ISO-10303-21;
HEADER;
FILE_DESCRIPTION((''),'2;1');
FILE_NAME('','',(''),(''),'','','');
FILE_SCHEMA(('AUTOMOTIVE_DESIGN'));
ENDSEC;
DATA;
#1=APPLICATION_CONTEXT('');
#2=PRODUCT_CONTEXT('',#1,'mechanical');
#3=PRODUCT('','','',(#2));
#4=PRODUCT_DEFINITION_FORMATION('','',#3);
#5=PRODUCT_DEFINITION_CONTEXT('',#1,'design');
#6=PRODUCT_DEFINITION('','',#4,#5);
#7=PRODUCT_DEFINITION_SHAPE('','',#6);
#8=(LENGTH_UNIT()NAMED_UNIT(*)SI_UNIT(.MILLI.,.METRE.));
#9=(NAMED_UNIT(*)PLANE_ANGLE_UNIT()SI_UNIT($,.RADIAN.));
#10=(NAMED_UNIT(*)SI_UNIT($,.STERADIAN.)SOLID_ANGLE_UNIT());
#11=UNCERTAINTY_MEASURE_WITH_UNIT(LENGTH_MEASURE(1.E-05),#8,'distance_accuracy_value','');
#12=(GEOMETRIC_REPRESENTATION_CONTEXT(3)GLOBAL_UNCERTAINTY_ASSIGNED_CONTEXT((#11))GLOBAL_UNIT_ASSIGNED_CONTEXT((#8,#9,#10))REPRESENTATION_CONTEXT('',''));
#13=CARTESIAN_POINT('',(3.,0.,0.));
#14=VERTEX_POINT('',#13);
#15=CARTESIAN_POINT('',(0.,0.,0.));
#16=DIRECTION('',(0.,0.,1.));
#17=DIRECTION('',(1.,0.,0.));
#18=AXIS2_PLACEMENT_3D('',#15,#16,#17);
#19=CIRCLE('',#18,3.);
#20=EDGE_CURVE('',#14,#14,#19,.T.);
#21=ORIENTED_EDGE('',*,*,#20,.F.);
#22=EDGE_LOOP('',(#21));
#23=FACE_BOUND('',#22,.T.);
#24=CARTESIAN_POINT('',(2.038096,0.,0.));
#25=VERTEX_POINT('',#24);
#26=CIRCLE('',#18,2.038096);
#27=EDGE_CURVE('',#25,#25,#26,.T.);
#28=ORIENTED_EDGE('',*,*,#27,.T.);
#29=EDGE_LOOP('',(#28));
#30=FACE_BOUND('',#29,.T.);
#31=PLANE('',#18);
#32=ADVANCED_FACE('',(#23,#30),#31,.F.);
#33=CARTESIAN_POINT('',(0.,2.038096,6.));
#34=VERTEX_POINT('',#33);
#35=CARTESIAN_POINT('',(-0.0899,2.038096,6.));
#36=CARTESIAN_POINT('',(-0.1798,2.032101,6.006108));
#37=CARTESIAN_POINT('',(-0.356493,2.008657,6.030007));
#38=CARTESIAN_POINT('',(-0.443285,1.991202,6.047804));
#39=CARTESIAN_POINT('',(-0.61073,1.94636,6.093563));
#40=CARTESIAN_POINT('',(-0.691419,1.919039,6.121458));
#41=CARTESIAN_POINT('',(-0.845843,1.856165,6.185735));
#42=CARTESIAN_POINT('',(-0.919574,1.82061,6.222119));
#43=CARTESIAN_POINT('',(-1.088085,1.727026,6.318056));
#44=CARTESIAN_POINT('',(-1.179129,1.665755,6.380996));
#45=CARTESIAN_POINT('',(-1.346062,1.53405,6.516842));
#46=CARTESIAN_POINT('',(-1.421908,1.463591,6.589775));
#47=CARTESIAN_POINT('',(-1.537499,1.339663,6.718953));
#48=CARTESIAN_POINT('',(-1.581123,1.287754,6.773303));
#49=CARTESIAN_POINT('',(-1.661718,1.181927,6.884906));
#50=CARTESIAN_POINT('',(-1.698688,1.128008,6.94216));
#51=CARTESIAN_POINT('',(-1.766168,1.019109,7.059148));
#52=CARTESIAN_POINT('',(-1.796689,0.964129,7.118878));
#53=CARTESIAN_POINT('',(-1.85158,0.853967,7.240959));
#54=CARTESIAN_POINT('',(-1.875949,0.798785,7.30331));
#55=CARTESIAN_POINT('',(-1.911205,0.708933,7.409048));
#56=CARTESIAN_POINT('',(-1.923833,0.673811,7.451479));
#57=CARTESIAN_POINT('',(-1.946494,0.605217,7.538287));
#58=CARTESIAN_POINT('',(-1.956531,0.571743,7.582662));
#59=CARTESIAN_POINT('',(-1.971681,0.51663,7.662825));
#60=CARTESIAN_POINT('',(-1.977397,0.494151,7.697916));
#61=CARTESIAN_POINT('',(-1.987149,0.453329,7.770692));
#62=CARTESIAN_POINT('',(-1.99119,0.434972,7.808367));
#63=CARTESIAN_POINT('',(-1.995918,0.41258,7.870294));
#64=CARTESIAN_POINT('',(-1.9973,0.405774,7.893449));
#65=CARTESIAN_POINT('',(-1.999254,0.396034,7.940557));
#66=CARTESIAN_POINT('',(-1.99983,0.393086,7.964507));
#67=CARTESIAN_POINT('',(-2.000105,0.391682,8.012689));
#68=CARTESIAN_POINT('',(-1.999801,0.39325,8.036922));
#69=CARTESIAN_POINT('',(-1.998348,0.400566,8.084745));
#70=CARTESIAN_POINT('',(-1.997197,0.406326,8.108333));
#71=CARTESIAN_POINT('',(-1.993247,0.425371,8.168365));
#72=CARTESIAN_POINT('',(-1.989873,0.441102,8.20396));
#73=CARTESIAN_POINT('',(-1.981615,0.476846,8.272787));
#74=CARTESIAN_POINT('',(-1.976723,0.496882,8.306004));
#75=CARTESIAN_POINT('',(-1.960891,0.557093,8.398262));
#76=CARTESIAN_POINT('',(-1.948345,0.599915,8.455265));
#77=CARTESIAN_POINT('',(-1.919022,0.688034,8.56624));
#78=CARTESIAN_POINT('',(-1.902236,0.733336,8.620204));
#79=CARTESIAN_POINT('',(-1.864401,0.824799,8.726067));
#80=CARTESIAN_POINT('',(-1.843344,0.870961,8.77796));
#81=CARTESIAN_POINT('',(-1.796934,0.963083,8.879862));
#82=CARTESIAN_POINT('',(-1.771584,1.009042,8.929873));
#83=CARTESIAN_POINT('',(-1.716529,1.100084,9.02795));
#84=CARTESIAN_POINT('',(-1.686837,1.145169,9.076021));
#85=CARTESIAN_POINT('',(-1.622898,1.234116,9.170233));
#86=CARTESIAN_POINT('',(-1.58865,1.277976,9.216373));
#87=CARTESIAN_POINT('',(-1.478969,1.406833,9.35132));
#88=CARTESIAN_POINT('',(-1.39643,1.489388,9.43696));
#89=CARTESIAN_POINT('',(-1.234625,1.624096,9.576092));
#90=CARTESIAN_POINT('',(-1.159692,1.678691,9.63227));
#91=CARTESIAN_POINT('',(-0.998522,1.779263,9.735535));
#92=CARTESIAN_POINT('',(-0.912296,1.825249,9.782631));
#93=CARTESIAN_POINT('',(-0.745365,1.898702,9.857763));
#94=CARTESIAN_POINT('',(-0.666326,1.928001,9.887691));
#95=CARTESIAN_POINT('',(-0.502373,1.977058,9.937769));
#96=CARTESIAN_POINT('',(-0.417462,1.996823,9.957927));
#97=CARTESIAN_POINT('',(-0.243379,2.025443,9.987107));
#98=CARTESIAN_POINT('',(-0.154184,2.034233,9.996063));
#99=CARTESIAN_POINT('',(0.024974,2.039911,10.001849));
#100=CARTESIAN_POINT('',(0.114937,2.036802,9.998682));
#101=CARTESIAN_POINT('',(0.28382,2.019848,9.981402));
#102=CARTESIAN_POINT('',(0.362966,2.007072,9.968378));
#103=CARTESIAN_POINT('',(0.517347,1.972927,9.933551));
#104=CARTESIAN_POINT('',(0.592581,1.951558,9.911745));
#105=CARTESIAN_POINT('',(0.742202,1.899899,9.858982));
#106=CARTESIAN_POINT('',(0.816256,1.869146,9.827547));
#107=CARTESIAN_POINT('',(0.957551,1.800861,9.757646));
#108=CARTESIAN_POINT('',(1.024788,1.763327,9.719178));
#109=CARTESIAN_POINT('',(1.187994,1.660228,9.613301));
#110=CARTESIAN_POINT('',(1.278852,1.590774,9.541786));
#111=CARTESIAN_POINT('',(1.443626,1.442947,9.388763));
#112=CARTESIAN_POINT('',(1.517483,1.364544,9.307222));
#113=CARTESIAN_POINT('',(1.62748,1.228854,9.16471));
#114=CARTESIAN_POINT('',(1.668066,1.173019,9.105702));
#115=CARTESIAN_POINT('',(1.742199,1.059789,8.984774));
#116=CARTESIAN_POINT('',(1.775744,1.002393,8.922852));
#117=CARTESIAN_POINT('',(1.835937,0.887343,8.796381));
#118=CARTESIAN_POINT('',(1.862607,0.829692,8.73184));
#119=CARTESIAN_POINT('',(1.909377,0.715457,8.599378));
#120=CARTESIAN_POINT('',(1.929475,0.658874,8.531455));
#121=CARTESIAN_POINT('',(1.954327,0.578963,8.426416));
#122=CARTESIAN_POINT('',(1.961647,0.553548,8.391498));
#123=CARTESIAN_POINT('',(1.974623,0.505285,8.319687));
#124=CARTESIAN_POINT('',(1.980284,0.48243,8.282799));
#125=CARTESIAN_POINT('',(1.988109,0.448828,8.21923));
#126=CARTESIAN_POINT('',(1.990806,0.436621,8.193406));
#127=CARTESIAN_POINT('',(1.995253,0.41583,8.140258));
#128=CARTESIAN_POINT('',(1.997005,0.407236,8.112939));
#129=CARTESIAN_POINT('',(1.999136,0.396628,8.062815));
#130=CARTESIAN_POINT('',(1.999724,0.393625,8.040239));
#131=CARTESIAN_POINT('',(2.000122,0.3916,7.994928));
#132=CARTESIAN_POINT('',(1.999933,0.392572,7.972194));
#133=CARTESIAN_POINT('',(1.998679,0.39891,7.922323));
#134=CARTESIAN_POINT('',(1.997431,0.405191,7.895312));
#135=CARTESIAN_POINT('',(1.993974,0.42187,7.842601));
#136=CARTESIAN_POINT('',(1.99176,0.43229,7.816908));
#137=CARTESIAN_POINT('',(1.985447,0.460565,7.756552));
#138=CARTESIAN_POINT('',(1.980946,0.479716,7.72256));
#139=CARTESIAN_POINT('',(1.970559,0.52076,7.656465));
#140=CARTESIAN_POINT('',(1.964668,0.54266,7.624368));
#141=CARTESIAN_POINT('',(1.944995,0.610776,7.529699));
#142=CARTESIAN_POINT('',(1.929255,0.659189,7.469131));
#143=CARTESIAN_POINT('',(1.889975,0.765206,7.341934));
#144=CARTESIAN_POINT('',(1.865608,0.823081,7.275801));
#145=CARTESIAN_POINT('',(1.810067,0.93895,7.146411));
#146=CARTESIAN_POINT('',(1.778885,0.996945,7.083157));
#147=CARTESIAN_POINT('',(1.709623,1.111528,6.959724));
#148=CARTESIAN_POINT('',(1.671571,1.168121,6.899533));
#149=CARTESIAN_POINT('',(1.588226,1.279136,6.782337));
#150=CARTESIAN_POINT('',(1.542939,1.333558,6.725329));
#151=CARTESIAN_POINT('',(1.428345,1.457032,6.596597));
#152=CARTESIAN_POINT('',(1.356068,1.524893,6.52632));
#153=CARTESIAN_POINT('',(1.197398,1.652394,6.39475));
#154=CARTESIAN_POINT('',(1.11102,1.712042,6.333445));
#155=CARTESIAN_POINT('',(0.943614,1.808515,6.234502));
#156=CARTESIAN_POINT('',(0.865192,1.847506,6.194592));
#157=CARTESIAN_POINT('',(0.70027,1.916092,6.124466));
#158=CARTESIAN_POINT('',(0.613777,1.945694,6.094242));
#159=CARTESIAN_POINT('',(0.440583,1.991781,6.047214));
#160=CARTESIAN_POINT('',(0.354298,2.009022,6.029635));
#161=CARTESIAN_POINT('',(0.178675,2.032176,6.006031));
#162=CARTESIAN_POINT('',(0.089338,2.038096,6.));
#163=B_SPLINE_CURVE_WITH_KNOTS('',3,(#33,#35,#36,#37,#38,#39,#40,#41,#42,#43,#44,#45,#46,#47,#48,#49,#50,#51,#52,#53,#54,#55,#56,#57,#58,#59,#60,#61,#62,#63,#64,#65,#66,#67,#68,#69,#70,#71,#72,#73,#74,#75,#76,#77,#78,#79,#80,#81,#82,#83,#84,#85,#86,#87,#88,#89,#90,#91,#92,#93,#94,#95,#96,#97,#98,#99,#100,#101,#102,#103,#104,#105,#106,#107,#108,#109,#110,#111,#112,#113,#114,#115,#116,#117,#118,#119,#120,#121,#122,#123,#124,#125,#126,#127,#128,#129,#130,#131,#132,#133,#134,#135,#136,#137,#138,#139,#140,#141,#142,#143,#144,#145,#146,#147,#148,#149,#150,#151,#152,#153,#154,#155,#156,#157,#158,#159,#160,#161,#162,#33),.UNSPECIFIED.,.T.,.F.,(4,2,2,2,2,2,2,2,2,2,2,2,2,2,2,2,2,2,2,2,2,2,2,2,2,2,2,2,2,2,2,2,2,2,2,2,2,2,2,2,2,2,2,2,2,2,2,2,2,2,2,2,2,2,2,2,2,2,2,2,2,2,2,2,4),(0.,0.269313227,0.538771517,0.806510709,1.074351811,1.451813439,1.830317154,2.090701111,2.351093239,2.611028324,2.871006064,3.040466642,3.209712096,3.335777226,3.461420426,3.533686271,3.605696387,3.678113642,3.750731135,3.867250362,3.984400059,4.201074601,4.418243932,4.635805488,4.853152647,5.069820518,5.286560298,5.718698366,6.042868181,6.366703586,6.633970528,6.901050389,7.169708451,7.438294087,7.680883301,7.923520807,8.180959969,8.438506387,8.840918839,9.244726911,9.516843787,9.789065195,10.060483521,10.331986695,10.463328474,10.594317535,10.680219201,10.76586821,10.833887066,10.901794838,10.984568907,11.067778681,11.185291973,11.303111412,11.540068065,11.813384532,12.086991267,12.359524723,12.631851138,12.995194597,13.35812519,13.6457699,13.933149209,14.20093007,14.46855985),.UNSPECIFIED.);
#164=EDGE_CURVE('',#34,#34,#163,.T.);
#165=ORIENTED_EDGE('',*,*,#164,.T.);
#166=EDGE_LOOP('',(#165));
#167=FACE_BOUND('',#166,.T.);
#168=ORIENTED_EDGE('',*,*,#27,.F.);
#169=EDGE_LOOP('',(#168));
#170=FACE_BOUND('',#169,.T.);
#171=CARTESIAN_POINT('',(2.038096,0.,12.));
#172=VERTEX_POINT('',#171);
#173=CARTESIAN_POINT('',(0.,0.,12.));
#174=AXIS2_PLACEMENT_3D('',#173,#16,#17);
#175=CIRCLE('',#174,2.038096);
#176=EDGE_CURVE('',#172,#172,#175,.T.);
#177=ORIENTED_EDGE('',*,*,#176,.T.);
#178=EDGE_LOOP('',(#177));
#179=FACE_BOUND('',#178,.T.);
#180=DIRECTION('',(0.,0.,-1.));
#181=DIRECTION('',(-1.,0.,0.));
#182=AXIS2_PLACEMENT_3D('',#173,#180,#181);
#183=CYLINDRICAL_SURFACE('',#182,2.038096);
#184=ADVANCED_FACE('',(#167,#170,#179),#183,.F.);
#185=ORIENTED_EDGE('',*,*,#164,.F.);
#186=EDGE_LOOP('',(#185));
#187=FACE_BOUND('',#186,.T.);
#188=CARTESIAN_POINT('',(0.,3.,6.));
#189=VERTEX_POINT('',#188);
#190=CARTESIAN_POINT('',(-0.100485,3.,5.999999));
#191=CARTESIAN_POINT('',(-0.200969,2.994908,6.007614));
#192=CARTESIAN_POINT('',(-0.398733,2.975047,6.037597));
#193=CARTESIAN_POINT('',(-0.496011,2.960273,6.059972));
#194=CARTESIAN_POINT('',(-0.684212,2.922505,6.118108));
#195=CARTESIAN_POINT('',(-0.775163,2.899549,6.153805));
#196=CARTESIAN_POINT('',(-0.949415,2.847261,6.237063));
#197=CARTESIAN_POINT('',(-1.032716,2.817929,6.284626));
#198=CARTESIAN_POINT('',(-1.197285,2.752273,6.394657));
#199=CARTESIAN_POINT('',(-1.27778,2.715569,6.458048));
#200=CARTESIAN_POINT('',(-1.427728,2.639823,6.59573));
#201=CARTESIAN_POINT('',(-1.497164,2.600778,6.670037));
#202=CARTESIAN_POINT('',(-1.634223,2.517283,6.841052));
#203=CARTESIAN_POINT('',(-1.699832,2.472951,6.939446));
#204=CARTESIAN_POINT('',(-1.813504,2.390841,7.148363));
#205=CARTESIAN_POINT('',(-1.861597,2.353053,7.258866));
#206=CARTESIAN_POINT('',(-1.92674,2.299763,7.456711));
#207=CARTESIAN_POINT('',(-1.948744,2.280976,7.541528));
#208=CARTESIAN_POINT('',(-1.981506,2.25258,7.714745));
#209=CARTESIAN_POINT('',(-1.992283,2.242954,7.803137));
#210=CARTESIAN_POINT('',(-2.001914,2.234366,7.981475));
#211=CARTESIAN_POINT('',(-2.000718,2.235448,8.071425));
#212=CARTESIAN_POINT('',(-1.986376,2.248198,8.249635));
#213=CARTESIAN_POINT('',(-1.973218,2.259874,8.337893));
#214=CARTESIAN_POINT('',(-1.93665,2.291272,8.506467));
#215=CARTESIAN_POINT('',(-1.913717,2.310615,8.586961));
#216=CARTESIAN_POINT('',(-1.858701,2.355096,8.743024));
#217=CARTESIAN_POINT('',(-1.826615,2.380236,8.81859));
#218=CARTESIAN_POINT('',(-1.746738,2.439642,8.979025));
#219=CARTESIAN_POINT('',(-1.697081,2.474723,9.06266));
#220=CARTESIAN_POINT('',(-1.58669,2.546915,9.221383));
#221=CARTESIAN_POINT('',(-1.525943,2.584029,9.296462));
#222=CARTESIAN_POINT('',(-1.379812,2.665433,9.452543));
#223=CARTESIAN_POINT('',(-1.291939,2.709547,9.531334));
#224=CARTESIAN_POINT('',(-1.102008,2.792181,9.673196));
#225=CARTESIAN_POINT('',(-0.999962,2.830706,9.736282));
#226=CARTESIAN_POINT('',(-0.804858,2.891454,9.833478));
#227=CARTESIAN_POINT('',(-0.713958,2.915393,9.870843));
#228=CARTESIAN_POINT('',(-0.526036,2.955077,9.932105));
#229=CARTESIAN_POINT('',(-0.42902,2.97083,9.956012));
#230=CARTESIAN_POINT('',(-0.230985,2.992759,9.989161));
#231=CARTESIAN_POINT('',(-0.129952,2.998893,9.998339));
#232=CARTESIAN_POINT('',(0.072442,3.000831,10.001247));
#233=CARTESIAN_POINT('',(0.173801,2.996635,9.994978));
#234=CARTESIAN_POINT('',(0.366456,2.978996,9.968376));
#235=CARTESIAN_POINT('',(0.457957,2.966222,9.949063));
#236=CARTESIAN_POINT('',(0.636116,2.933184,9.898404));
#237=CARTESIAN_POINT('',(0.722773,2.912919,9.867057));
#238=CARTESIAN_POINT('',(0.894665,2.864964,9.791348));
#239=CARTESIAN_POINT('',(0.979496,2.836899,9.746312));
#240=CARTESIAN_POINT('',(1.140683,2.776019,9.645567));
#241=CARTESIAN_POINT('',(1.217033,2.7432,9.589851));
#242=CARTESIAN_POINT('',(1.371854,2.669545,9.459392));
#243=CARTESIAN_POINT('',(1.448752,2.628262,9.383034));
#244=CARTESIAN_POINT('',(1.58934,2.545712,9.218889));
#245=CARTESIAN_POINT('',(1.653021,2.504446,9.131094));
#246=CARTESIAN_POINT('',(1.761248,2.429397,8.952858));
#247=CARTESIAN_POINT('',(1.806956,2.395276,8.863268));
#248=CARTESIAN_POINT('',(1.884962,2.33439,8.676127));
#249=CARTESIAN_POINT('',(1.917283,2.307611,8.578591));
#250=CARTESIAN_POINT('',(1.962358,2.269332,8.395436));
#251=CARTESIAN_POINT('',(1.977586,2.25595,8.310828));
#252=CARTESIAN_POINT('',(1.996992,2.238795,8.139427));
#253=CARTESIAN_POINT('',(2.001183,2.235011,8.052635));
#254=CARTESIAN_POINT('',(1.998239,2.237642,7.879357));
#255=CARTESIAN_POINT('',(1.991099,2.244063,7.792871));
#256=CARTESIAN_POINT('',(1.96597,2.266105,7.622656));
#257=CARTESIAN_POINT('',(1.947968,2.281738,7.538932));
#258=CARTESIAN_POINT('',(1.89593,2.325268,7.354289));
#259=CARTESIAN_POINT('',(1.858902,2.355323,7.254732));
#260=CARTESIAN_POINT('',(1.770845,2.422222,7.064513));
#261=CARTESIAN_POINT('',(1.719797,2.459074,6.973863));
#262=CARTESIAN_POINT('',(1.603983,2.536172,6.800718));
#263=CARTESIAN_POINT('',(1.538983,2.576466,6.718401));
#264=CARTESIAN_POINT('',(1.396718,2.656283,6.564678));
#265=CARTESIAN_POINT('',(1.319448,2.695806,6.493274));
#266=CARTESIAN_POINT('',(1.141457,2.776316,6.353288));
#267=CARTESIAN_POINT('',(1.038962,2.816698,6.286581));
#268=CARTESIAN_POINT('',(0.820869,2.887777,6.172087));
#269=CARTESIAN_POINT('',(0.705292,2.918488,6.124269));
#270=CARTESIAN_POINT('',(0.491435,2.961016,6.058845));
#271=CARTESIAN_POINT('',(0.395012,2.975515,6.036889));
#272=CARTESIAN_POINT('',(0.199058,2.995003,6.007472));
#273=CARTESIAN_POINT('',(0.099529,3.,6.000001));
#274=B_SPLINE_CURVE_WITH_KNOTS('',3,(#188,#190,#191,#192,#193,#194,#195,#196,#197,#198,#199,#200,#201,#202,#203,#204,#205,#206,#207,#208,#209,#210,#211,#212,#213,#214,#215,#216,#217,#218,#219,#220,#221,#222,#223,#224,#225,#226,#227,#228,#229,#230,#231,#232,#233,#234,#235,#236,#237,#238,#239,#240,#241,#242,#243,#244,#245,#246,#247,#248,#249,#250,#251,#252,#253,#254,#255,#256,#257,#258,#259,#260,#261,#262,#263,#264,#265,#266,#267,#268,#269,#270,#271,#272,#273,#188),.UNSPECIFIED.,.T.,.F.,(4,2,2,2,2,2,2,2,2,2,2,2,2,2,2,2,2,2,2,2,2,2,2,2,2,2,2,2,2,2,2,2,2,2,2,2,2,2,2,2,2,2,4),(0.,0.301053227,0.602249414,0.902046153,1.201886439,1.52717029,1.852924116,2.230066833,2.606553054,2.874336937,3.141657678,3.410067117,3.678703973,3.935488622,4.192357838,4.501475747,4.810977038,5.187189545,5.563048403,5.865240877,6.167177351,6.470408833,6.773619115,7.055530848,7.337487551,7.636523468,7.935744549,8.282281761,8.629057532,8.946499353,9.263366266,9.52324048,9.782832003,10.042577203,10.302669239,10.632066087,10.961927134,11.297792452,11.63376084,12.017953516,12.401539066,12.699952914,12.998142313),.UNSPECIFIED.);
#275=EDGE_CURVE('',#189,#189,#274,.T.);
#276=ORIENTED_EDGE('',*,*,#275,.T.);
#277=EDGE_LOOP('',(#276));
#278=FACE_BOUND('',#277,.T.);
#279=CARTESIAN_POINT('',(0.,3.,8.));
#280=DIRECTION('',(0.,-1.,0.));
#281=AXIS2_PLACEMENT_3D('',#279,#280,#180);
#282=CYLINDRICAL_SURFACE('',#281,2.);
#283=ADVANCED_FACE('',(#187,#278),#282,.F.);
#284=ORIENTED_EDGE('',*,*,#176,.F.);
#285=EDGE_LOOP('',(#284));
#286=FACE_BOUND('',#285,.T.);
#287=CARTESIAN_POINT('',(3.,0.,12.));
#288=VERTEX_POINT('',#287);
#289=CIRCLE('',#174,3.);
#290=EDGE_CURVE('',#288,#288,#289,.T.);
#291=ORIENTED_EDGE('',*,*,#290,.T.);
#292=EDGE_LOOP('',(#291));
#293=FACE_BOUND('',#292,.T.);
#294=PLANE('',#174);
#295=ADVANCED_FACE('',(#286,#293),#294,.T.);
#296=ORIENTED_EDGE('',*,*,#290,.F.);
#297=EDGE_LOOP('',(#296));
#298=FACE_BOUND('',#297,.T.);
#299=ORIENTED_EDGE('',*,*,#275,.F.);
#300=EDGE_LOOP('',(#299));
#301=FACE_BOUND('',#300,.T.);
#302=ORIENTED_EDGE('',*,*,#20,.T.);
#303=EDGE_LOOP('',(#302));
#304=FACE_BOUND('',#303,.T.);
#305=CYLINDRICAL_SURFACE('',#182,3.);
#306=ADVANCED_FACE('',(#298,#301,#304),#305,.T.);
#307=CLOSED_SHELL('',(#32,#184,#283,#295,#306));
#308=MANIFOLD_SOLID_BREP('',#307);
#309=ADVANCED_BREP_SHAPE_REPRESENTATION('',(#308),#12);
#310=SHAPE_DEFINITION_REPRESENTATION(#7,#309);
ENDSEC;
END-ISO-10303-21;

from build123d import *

# Parameters (mm, degrees)
SKETCH1_R           = 3
SKETCH1_R_2         = 2.038096
BOSS_EXTRUDE1_DEPTH = 12
SKETCH2_R           = 2
CUT_EXTRUDE1_DEPTH  = 4


with BuildPart() as part:
    # Sketch1 → Boss-Extrude1 (new body)
    with BuildSketch(Plane.XY):
        Circle(SKETCH1_R)
        Circle(SKETCH1_R_2, mode=Mode.SUBTRACT)
    extrude(amount=BOSS_EXTRUDE1_DEPTH)

    # Sketch2 → Cut-Extrude1 (cut, through all)
    with BuildSketch(Plane(origin=(0, 0, 0), x_dir=(1, 0, 0), z_dir=(0, 1, 0))):
        with Locations((0, -8)):
            Circle(SKETCH2_R)
    extrude(amount=CUT_EXTRUDE1_DEPTH, mode=Mode.SUBTRACT)


solid = part.part
